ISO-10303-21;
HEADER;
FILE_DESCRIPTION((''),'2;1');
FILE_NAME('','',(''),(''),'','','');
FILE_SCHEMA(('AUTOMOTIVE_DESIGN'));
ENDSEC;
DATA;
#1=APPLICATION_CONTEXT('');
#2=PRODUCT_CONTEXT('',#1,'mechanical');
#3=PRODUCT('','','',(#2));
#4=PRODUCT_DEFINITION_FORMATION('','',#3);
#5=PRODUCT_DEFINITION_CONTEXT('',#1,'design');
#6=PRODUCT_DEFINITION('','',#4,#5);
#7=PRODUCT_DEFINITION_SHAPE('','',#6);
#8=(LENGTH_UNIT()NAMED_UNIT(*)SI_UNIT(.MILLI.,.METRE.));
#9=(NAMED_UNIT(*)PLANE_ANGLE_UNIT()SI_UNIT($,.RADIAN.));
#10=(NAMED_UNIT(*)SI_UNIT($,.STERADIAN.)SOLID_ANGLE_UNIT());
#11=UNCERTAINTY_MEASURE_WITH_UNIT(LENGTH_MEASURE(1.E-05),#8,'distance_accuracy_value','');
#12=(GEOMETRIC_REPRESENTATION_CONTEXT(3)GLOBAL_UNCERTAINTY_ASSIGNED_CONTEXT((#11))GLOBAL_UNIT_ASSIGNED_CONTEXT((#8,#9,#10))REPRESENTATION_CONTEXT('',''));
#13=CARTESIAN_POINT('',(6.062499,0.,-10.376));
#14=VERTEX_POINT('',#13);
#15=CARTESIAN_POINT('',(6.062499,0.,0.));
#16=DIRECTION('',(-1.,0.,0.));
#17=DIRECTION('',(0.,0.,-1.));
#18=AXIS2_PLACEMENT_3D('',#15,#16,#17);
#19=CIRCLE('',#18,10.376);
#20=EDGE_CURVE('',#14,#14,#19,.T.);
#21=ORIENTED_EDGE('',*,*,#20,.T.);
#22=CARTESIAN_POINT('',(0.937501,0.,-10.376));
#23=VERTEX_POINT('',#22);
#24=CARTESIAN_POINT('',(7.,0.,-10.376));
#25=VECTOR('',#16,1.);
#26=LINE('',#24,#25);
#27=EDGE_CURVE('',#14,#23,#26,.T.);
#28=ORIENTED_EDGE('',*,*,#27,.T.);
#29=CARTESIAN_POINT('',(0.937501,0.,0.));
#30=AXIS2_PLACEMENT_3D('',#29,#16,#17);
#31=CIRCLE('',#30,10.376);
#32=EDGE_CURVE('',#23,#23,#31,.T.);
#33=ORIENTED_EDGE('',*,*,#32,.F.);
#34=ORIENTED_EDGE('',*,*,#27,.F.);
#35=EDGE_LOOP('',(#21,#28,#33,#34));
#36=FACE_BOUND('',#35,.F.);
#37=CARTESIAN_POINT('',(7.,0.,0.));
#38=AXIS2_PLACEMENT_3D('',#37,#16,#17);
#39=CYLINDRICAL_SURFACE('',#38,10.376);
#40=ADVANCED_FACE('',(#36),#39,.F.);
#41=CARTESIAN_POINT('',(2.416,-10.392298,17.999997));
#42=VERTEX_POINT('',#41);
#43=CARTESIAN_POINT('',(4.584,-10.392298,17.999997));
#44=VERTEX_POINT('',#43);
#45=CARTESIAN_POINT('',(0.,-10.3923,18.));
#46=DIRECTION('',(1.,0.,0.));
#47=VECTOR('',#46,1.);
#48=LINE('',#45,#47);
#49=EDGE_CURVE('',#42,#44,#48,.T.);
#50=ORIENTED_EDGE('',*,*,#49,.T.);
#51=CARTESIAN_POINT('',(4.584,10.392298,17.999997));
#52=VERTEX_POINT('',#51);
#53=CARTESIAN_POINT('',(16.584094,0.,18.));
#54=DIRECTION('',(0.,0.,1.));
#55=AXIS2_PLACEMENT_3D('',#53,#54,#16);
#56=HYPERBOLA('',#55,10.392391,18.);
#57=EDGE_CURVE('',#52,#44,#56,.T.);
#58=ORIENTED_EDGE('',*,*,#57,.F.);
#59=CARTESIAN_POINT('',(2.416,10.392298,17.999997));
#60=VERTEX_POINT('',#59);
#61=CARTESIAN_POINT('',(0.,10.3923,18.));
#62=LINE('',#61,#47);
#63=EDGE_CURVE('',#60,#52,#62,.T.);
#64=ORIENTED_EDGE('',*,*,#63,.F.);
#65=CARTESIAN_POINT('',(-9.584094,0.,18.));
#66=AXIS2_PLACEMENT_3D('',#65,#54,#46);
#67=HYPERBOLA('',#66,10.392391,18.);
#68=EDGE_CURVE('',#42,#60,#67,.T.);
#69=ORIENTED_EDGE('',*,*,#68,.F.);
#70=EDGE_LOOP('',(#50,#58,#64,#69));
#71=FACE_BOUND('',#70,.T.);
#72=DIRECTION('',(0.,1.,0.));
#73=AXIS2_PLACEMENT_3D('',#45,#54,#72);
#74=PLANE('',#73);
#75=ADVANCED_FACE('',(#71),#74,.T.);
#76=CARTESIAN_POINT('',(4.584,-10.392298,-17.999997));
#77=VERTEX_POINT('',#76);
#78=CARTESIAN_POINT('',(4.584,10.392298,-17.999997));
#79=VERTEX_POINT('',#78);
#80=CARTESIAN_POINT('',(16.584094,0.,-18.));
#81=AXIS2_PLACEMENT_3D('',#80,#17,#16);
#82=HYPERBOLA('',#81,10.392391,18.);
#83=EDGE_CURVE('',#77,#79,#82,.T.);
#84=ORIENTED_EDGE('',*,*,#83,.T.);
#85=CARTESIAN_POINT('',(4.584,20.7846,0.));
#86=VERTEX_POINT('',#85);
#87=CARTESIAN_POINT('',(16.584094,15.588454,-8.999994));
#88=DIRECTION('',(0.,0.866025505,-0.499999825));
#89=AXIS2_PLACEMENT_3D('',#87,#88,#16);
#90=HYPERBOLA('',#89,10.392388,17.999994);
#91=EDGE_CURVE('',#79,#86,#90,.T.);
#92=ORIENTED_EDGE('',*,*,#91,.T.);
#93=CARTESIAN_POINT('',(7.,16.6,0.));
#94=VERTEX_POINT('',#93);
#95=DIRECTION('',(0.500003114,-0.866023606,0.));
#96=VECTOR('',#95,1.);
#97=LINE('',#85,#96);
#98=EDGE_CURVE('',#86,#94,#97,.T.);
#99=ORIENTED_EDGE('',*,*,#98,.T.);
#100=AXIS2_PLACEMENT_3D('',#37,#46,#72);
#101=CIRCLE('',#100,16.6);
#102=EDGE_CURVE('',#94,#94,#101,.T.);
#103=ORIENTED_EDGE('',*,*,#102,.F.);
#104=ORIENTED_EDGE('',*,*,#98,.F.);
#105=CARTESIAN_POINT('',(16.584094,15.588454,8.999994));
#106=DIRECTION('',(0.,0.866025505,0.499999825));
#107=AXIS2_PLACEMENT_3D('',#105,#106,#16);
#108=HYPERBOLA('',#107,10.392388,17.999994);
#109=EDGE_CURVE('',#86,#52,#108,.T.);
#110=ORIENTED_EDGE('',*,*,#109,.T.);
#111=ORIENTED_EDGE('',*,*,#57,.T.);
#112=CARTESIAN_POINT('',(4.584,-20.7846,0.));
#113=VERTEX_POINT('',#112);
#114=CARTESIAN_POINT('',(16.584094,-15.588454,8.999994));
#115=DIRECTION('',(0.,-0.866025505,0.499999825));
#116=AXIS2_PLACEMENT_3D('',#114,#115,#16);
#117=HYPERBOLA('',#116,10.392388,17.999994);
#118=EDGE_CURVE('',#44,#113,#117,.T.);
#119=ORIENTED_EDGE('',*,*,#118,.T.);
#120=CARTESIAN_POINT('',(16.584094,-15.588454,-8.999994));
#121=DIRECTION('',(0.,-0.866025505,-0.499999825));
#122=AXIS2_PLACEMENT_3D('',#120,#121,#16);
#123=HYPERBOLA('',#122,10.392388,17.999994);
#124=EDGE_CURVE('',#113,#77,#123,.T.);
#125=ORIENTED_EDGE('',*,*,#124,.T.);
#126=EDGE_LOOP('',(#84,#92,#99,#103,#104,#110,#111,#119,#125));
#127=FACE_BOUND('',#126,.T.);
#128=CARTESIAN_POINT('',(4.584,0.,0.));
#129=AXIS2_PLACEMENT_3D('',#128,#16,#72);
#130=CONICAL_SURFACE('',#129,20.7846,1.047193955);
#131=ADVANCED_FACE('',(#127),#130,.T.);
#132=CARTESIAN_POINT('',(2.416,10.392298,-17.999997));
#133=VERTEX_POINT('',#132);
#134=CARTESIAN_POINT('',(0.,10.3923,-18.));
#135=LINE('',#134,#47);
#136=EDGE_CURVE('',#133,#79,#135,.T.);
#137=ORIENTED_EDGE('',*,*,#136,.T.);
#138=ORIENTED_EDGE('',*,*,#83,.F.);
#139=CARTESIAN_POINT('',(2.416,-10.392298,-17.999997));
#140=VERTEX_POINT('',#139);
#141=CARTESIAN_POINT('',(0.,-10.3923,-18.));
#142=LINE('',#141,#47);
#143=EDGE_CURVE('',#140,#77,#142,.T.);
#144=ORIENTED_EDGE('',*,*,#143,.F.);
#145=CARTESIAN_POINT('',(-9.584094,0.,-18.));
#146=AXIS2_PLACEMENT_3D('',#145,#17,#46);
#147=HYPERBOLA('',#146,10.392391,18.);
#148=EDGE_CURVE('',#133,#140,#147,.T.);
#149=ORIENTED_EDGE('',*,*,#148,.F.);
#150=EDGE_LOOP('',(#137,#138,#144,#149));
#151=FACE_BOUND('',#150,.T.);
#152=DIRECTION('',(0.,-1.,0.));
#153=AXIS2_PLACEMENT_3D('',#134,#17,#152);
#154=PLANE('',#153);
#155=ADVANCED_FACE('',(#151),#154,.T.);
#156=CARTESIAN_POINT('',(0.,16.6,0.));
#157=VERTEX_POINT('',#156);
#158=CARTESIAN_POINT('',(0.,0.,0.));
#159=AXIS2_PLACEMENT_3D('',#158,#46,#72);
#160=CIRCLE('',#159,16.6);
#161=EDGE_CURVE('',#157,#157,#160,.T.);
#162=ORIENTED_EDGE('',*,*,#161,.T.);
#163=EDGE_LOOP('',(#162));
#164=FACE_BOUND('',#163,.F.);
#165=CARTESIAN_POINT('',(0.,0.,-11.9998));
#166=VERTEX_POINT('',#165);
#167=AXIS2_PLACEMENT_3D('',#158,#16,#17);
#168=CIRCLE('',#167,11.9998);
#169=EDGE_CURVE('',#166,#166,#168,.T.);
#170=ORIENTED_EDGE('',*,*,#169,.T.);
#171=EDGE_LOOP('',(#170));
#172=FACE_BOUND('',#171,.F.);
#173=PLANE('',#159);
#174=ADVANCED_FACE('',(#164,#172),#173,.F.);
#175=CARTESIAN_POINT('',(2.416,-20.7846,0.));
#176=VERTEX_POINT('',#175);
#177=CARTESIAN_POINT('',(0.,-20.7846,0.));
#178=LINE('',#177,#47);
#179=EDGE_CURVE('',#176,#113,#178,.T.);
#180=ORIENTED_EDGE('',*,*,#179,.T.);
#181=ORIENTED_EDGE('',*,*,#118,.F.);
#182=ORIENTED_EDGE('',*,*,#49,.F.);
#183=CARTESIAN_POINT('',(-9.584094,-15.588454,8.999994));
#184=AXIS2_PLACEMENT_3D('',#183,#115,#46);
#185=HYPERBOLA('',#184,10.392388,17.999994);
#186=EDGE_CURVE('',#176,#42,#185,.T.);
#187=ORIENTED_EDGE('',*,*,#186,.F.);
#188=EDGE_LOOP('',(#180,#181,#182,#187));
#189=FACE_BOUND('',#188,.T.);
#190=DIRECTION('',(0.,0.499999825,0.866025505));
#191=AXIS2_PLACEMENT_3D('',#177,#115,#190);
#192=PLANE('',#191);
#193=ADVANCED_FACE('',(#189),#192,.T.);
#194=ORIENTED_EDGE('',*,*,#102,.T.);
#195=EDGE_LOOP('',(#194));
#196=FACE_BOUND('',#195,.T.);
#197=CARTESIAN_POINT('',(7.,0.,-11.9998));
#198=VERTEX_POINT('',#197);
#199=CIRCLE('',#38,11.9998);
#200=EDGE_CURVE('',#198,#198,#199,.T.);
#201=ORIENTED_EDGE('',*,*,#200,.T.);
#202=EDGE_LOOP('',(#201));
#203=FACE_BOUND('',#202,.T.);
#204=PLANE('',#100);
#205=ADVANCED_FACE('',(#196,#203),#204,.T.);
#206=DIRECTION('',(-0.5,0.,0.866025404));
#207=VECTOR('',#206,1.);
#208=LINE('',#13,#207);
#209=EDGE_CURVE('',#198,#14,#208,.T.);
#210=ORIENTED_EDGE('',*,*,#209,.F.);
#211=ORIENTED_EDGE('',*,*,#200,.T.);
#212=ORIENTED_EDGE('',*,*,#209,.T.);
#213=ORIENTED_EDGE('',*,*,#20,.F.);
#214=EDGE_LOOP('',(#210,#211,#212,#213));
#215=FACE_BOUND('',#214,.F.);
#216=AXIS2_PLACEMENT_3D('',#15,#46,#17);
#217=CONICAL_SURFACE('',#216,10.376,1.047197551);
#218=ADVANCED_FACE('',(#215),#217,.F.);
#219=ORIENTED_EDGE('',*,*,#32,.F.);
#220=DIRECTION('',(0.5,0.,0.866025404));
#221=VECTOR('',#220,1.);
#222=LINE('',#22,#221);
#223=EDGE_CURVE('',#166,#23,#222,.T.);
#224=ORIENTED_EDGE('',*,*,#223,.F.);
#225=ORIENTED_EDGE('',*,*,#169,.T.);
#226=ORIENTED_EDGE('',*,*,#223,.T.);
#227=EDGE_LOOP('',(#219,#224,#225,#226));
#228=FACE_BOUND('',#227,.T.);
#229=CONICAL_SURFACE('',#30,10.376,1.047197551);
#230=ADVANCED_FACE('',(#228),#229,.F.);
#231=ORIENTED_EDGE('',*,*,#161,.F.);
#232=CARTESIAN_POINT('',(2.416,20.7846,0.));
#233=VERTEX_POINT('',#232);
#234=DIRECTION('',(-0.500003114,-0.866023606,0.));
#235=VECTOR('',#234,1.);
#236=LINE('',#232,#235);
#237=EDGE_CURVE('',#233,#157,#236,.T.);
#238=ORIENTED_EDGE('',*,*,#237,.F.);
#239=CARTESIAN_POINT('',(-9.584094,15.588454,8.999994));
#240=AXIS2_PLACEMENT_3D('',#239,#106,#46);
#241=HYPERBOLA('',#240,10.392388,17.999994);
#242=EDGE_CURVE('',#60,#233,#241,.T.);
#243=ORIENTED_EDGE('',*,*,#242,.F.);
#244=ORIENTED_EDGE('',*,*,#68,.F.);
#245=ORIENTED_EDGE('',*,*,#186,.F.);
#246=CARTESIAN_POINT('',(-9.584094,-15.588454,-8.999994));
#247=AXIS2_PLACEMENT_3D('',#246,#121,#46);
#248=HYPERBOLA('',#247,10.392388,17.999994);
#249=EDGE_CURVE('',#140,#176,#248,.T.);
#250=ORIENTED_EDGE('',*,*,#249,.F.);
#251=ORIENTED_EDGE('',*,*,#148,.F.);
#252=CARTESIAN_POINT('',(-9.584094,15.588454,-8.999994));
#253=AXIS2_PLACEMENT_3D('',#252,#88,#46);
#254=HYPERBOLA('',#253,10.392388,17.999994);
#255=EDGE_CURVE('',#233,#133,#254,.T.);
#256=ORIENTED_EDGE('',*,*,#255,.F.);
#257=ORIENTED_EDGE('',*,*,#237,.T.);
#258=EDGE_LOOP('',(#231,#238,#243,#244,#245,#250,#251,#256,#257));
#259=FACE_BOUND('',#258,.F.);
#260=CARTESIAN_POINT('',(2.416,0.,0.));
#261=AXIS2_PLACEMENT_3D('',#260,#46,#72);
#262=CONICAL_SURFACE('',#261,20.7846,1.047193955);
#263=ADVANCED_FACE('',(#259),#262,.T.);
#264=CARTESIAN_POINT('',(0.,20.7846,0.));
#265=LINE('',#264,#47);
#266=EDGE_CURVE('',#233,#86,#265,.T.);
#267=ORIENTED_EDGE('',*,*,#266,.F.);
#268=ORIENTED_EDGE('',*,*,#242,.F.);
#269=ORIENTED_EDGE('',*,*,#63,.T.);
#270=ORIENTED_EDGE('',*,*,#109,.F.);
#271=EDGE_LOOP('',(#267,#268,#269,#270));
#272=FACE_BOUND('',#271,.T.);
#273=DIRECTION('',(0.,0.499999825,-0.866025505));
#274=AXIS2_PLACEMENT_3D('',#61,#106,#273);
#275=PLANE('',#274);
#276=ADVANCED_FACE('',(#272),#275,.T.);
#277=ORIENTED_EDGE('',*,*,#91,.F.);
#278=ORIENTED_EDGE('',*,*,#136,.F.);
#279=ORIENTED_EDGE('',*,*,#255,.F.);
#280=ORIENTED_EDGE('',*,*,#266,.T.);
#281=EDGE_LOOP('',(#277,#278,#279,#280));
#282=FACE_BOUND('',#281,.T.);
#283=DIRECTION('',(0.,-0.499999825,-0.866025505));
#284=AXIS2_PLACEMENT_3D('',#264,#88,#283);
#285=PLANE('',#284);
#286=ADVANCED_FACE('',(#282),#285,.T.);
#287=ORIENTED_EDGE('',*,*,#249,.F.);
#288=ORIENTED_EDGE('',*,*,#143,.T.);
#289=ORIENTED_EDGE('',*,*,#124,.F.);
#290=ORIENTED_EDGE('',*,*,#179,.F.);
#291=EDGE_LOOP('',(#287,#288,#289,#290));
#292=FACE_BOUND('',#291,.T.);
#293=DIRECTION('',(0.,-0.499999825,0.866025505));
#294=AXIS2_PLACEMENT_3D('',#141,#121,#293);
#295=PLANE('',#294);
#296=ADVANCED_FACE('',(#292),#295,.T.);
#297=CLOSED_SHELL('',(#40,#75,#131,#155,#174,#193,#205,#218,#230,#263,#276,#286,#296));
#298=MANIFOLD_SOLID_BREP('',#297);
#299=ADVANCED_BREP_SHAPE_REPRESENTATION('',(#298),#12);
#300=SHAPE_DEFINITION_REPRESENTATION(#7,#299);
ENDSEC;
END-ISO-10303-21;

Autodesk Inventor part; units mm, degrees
ref_plane "YZ Plane" through (0, 0, 0) normal (1, 0, 0) x (0, 1, 0)
ref_plane "XZ Plane" through (0, 0, 0) normal (0, 1, 0) x (-1, 0, 0)
sketch "Sketch1" plane through (0, 0, 0) normal (1, 0, 0) x (0, 1, 0)
  line L0 (-20.7846, 0) -> (-10.3923, 18)
  line L1 (-10.3923, 18) -> (10.3923, 18)
  line L2 (10.3923, 18) -> (20.7846, 0)
  line L3 (20.7846, 0) -> (10.3923, -18)
  line L4 (10.3923, -18) -> (-10.3923, -18)
  line L5 (-10.3923, -18) -> (-20.7846, 0)
  point P0 (0, 0)
  point P1 (0, 0)
  dimension "d0" = 41.5692
extrude "Body" add sketch "Sketch1" along normal blind 7
sketch "Sketch2" plane through (0, 0, 0) normal (0, 0, 1) x (1, 0, 0)
  line L0 (0, 10.3923) -> (0, 20.7846) projected
  line L1 (0, 20.7846) -> (7, 20.7846) projected
  line L2 (7, 10.3923) -> (7, 20.7846) projected
  line L3 (-2.4, 0) -> (14.4, 0) projected
  line L4 (2.416, 20.7846) -> (0, 16.6)
  line L5 (4.584, 20.7846) -> (7, 16.6)
  dimension "d3" = 30
  dimension "d4" = 30
  dimension "d5" = 33.2
  dimension "d6" = 33.2
revolve "Chamfer1" cut sketch "Sketch2" angle 360 about axis through (-10, 0, 0) along (1, 0, 0)
sketch "Sketch3" plane through (7, 0, 0) normal (1, 0, 0) x (0, 0, -1)
  arc A0 (-0.625, -1.0825) -> (0.625, -1.0825) centre (0, 0) ccw projected
hole "Thread" at (7, 0, 0) direction (-1, 0, 0) diameter 20.752 end through all thread size "M24x3" class "6H" standard "ISO Metric profile"
chamfer "Chamfer2" distance 1.6238 angle 30 1 edges at (7, 0, 10.376) measured on face at (7, 14.3393, -1.7411)
chamfer "Chamfer3" distance 1.6238 angle 30 1 edges at (0, 0, 10.376) measured on face at (0, 14.3393, -1.7411)
ref_plane "Work Plane1" through (-48.5942, 0, 0) normal (0, -0.866, -0.5) x (1, 0, 0)
equation "\"d0\" = 1.1547 * SW"
equation "\"d3\" = ANG1"
equation "\"d4\" = ANG2"
equation "\"d5\" = SW0"
equation "\"d6\" = SW01"
equation "\"d8\" = -0.5 * GD1 + 0.5 * NND"
equation "\"d40\" = -0.5 * GD1 + 0.5 * NND"
equation "\"d10\" = -0.5 * GD1 + 0.5 * NND"
equation "\"d41\" = -0.5 * GD1 + 0.5 * NND"
equation "\"ANG1\" = 30deg"
equation "\"ANG2\" = 30deg"
equation "\"NND\" = 24"
equation "\"KOH\" = 12"
equation "\"SW\" = 36"
equation "\"SW0\" = 33.2"
equation "\"SW01\" = SW0"
equation "\"GUL\" = 0.541266 * PTC"
equation "\"THREADDIA\" = 24"
equation "\"TOA\" = 30deg"
equation "\"PTC\" = 3"
equation "\"E0\" = 1.155 * SW"
equation "\"GAL\" = 0.541266 * PTC"
equation "\"GD1\" = 20.752405"
properties part number "PWTR-0062" material "Stainless Steel, 440C"
